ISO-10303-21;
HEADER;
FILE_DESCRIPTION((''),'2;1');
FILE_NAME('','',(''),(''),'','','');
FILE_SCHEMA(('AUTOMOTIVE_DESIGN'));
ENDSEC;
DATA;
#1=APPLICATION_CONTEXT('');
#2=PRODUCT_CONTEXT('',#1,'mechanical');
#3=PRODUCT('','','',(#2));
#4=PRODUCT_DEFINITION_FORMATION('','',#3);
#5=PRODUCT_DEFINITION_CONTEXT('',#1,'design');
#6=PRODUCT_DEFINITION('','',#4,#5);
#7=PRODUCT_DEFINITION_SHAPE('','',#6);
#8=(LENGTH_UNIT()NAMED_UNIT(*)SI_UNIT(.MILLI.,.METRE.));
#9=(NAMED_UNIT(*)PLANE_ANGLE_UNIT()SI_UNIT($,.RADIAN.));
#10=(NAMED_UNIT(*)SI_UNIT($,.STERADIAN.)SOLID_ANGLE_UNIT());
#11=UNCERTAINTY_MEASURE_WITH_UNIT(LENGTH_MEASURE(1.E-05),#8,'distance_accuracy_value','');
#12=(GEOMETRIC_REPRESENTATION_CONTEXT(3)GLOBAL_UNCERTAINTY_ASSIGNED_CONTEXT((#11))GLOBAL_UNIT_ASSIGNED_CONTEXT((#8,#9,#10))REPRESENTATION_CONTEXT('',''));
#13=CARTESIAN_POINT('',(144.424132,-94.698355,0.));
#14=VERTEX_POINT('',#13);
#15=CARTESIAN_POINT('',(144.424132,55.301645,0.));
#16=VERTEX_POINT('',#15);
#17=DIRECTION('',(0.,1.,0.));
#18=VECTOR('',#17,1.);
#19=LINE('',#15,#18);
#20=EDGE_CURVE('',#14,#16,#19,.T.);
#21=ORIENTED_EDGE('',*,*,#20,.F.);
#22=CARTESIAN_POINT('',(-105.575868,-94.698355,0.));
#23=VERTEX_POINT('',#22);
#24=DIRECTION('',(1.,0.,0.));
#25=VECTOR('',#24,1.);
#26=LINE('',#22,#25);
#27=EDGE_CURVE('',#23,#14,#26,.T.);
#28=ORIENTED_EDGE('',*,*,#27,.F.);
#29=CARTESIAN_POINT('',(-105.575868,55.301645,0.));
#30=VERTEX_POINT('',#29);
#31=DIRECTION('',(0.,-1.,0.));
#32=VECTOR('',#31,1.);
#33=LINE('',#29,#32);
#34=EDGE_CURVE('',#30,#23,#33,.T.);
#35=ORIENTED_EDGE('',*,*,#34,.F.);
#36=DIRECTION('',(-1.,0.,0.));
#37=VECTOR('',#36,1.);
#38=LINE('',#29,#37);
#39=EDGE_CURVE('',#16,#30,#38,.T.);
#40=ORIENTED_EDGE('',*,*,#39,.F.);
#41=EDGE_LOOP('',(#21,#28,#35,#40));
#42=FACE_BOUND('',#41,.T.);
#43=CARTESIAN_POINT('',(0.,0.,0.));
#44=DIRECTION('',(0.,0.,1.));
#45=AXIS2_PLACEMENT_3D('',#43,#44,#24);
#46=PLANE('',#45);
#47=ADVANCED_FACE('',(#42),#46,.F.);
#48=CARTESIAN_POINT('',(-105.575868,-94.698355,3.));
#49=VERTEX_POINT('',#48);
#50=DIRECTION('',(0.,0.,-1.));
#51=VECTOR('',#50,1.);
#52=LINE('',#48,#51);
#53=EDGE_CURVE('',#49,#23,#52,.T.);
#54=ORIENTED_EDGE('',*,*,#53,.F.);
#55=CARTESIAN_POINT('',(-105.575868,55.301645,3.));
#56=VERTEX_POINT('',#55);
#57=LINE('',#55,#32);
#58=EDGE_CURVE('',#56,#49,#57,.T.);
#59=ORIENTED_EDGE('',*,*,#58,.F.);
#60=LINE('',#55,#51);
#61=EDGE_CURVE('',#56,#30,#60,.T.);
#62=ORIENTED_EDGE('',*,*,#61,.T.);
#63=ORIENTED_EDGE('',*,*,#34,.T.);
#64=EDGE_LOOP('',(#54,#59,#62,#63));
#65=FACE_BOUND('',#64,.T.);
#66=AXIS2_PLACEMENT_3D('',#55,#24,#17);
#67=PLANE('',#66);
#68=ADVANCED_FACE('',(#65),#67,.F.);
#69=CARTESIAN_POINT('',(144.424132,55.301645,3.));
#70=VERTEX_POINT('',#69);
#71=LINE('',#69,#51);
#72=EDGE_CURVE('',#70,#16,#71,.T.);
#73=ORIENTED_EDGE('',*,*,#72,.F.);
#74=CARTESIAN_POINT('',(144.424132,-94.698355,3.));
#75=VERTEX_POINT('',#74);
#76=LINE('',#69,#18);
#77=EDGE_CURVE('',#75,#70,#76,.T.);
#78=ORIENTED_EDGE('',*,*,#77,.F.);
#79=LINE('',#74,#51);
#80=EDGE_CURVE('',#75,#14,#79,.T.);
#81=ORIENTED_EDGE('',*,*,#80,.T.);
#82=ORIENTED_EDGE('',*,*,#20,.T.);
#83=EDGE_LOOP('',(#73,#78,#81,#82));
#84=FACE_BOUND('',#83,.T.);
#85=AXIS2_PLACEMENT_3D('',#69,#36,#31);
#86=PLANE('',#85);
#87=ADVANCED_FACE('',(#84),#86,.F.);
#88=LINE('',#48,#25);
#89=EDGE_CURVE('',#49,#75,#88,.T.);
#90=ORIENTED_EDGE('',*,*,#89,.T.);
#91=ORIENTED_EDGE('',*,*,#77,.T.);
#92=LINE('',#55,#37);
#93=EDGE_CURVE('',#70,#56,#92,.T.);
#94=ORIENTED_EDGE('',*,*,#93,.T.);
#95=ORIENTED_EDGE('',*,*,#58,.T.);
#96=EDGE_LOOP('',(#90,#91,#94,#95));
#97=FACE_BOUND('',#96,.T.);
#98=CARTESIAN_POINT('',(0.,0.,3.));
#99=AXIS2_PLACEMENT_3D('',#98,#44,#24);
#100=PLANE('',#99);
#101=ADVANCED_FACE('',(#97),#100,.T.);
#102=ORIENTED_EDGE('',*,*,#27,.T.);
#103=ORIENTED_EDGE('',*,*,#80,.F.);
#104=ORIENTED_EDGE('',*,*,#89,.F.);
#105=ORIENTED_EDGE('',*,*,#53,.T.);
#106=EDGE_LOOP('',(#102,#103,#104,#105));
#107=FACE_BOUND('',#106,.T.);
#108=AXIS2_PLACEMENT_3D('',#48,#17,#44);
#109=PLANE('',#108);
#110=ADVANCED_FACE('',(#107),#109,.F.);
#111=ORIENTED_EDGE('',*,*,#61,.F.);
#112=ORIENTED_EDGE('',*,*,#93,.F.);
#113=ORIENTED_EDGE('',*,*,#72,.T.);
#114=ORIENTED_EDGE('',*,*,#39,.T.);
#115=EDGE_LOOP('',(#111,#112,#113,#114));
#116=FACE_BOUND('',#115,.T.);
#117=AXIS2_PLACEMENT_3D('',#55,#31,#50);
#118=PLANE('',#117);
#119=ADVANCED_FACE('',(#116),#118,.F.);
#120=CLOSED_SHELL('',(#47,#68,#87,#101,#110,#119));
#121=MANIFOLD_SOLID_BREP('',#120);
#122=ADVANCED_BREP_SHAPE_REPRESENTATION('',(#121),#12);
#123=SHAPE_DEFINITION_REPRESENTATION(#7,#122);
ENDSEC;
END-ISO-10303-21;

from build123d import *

# Parameters (mm, degrees)
SKETCH_1_W      = 250
SKETCH_1_H      = 150
EXTRUDE_1_DEPTH = 3


with BuildPart() as part:
    # Эскиз1 → Бобышка-Вытянуть1 (new body)
    with BuildSketch(Plane.XY):
        with Locations((19.424131627, -19.698354662)):
            Rectangle(SKETCH_1_W, SKETCH_1_H)
    extrude(amount=EXTRUDE_1_DEPTH)


solid = part.part
